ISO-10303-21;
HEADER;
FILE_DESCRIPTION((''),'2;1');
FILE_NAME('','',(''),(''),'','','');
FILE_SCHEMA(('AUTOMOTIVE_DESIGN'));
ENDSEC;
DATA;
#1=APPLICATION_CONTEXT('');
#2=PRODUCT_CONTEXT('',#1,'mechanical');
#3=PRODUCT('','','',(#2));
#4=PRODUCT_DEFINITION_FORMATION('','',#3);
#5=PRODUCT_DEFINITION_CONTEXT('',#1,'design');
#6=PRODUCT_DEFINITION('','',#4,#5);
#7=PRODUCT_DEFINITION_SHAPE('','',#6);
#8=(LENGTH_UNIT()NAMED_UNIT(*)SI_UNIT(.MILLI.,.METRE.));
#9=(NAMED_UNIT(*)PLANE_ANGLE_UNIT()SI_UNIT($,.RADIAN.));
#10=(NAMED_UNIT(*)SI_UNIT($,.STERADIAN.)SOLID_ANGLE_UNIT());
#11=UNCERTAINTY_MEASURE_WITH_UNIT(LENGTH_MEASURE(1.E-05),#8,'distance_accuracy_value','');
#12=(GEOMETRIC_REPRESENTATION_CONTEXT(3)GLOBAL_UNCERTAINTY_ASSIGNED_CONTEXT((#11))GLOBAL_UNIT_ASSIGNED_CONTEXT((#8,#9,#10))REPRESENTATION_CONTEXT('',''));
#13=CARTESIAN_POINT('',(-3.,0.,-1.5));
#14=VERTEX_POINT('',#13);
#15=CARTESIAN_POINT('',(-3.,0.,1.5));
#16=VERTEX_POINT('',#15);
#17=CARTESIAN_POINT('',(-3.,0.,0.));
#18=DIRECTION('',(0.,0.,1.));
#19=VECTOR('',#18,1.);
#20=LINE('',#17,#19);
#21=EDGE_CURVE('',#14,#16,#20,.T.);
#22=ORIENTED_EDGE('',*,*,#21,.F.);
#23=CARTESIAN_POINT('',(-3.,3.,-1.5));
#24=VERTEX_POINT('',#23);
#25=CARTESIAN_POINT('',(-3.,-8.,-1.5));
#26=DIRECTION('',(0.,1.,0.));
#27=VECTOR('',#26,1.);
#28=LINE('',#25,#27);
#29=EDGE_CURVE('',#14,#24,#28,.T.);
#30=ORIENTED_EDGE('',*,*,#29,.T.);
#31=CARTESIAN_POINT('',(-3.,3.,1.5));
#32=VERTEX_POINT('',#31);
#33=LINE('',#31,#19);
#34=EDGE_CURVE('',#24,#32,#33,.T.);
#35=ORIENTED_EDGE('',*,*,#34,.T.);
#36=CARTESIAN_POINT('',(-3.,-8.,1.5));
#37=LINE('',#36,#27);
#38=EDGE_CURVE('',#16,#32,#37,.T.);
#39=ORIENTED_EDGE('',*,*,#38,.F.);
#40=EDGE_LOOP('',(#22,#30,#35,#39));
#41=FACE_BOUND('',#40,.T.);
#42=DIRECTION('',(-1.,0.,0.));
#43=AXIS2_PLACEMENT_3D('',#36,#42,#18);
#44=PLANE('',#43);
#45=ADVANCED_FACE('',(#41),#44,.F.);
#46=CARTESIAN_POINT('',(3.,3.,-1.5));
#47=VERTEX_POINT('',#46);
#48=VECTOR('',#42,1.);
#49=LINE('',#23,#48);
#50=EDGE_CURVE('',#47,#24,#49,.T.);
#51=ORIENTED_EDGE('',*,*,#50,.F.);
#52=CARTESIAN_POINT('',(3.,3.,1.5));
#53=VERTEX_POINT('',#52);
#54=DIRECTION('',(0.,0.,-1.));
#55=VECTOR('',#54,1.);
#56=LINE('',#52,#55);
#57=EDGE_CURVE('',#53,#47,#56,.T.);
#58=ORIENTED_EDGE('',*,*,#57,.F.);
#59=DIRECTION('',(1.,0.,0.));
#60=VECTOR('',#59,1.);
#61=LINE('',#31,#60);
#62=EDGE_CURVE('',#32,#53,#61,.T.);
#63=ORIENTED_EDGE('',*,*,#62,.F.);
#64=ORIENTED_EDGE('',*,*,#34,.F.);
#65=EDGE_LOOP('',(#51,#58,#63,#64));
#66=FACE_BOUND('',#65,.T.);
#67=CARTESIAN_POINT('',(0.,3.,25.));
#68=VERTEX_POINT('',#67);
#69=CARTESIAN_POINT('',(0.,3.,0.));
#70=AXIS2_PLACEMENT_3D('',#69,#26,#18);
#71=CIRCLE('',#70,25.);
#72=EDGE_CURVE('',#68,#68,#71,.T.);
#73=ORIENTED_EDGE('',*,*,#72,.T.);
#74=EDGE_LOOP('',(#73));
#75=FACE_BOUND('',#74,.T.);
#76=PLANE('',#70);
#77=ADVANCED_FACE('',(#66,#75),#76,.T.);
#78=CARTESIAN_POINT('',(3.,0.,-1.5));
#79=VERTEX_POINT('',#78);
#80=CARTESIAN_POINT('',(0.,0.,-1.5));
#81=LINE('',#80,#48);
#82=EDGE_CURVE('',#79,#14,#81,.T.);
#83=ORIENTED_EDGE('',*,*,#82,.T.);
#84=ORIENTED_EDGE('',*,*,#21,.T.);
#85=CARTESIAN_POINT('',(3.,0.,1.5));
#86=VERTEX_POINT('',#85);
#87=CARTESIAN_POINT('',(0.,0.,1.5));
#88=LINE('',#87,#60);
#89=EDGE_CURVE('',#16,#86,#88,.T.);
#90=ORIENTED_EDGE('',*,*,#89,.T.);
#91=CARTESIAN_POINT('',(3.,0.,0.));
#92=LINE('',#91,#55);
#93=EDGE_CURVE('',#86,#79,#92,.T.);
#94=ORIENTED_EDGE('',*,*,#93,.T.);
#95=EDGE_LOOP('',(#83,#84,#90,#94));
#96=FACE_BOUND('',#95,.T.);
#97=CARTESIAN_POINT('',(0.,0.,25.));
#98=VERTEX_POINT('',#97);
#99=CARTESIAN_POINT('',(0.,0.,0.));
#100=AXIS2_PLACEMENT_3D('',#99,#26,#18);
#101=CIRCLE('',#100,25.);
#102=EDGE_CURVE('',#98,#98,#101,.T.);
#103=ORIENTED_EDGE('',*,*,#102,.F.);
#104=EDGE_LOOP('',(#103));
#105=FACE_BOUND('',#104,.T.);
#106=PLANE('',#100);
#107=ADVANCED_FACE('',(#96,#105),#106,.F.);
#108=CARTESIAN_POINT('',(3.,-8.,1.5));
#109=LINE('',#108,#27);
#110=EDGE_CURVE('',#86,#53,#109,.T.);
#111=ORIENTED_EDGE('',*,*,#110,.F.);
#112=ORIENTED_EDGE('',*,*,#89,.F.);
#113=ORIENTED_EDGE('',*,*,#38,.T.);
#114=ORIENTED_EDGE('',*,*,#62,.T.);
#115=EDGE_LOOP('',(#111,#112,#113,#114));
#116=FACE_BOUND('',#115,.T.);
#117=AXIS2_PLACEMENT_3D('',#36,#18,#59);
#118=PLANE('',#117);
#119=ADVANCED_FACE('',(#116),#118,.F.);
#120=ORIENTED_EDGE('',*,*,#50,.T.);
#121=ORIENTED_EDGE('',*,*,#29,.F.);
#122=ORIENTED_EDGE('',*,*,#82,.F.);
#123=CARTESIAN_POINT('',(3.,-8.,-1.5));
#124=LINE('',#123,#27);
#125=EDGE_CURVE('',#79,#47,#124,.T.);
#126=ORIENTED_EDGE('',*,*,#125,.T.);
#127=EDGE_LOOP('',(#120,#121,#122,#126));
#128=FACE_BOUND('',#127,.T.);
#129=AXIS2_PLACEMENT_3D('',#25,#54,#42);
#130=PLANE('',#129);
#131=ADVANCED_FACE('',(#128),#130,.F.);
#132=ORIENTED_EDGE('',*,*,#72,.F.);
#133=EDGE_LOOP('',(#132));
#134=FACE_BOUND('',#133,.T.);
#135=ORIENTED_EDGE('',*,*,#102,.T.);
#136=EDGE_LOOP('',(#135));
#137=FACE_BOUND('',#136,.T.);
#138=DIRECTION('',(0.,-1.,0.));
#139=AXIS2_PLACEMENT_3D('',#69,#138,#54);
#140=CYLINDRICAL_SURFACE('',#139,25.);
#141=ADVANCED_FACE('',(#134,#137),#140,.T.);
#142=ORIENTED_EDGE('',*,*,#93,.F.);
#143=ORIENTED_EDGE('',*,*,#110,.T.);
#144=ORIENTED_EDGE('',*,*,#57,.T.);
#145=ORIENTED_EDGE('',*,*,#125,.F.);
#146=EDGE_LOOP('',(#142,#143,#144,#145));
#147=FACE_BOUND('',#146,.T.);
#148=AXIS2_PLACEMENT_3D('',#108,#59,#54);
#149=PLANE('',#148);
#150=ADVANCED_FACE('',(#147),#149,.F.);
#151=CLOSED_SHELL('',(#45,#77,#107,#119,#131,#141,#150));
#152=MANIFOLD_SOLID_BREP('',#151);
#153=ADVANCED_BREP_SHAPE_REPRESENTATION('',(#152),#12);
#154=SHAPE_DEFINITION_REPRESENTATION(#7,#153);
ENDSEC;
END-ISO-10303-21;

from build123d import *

# Parameters (mm, degrees)
SKETCH_1_R          = 25
EXTRUDE_1_DEPTH     = 3
SKETCH_2_W          = 6
SKETCH_2_H          = 3
CUT_EXTRUDE_2_DEPTH = 11


with BuildPart() as part:
    # 草图1 → 凸台-拉伸1 (new body)
    with BuildSketch(Plane(origin=(0, 0, 0), x_dir=(1, 0, 0), z_dir=(0, 1, 0))):
        Circle(SKETCH_1_R)
    extrude(amount=EXTRUDE_1_DEPTH)

    # 草图2 → 切除-拉伸2 (cut)
    with BuildSketch(Plane(origin=(0, 3, 0), x_dir=(1, 0, 0), z_dir=(0, 1, 0))):
        Rectangle(SKETCH_2_W, SKETCH_2_H)
    extrude(amount=-CUT_EXTRUDE_2_DEPTH, mode=Mode.SUBTRACT)


solid = part.part
